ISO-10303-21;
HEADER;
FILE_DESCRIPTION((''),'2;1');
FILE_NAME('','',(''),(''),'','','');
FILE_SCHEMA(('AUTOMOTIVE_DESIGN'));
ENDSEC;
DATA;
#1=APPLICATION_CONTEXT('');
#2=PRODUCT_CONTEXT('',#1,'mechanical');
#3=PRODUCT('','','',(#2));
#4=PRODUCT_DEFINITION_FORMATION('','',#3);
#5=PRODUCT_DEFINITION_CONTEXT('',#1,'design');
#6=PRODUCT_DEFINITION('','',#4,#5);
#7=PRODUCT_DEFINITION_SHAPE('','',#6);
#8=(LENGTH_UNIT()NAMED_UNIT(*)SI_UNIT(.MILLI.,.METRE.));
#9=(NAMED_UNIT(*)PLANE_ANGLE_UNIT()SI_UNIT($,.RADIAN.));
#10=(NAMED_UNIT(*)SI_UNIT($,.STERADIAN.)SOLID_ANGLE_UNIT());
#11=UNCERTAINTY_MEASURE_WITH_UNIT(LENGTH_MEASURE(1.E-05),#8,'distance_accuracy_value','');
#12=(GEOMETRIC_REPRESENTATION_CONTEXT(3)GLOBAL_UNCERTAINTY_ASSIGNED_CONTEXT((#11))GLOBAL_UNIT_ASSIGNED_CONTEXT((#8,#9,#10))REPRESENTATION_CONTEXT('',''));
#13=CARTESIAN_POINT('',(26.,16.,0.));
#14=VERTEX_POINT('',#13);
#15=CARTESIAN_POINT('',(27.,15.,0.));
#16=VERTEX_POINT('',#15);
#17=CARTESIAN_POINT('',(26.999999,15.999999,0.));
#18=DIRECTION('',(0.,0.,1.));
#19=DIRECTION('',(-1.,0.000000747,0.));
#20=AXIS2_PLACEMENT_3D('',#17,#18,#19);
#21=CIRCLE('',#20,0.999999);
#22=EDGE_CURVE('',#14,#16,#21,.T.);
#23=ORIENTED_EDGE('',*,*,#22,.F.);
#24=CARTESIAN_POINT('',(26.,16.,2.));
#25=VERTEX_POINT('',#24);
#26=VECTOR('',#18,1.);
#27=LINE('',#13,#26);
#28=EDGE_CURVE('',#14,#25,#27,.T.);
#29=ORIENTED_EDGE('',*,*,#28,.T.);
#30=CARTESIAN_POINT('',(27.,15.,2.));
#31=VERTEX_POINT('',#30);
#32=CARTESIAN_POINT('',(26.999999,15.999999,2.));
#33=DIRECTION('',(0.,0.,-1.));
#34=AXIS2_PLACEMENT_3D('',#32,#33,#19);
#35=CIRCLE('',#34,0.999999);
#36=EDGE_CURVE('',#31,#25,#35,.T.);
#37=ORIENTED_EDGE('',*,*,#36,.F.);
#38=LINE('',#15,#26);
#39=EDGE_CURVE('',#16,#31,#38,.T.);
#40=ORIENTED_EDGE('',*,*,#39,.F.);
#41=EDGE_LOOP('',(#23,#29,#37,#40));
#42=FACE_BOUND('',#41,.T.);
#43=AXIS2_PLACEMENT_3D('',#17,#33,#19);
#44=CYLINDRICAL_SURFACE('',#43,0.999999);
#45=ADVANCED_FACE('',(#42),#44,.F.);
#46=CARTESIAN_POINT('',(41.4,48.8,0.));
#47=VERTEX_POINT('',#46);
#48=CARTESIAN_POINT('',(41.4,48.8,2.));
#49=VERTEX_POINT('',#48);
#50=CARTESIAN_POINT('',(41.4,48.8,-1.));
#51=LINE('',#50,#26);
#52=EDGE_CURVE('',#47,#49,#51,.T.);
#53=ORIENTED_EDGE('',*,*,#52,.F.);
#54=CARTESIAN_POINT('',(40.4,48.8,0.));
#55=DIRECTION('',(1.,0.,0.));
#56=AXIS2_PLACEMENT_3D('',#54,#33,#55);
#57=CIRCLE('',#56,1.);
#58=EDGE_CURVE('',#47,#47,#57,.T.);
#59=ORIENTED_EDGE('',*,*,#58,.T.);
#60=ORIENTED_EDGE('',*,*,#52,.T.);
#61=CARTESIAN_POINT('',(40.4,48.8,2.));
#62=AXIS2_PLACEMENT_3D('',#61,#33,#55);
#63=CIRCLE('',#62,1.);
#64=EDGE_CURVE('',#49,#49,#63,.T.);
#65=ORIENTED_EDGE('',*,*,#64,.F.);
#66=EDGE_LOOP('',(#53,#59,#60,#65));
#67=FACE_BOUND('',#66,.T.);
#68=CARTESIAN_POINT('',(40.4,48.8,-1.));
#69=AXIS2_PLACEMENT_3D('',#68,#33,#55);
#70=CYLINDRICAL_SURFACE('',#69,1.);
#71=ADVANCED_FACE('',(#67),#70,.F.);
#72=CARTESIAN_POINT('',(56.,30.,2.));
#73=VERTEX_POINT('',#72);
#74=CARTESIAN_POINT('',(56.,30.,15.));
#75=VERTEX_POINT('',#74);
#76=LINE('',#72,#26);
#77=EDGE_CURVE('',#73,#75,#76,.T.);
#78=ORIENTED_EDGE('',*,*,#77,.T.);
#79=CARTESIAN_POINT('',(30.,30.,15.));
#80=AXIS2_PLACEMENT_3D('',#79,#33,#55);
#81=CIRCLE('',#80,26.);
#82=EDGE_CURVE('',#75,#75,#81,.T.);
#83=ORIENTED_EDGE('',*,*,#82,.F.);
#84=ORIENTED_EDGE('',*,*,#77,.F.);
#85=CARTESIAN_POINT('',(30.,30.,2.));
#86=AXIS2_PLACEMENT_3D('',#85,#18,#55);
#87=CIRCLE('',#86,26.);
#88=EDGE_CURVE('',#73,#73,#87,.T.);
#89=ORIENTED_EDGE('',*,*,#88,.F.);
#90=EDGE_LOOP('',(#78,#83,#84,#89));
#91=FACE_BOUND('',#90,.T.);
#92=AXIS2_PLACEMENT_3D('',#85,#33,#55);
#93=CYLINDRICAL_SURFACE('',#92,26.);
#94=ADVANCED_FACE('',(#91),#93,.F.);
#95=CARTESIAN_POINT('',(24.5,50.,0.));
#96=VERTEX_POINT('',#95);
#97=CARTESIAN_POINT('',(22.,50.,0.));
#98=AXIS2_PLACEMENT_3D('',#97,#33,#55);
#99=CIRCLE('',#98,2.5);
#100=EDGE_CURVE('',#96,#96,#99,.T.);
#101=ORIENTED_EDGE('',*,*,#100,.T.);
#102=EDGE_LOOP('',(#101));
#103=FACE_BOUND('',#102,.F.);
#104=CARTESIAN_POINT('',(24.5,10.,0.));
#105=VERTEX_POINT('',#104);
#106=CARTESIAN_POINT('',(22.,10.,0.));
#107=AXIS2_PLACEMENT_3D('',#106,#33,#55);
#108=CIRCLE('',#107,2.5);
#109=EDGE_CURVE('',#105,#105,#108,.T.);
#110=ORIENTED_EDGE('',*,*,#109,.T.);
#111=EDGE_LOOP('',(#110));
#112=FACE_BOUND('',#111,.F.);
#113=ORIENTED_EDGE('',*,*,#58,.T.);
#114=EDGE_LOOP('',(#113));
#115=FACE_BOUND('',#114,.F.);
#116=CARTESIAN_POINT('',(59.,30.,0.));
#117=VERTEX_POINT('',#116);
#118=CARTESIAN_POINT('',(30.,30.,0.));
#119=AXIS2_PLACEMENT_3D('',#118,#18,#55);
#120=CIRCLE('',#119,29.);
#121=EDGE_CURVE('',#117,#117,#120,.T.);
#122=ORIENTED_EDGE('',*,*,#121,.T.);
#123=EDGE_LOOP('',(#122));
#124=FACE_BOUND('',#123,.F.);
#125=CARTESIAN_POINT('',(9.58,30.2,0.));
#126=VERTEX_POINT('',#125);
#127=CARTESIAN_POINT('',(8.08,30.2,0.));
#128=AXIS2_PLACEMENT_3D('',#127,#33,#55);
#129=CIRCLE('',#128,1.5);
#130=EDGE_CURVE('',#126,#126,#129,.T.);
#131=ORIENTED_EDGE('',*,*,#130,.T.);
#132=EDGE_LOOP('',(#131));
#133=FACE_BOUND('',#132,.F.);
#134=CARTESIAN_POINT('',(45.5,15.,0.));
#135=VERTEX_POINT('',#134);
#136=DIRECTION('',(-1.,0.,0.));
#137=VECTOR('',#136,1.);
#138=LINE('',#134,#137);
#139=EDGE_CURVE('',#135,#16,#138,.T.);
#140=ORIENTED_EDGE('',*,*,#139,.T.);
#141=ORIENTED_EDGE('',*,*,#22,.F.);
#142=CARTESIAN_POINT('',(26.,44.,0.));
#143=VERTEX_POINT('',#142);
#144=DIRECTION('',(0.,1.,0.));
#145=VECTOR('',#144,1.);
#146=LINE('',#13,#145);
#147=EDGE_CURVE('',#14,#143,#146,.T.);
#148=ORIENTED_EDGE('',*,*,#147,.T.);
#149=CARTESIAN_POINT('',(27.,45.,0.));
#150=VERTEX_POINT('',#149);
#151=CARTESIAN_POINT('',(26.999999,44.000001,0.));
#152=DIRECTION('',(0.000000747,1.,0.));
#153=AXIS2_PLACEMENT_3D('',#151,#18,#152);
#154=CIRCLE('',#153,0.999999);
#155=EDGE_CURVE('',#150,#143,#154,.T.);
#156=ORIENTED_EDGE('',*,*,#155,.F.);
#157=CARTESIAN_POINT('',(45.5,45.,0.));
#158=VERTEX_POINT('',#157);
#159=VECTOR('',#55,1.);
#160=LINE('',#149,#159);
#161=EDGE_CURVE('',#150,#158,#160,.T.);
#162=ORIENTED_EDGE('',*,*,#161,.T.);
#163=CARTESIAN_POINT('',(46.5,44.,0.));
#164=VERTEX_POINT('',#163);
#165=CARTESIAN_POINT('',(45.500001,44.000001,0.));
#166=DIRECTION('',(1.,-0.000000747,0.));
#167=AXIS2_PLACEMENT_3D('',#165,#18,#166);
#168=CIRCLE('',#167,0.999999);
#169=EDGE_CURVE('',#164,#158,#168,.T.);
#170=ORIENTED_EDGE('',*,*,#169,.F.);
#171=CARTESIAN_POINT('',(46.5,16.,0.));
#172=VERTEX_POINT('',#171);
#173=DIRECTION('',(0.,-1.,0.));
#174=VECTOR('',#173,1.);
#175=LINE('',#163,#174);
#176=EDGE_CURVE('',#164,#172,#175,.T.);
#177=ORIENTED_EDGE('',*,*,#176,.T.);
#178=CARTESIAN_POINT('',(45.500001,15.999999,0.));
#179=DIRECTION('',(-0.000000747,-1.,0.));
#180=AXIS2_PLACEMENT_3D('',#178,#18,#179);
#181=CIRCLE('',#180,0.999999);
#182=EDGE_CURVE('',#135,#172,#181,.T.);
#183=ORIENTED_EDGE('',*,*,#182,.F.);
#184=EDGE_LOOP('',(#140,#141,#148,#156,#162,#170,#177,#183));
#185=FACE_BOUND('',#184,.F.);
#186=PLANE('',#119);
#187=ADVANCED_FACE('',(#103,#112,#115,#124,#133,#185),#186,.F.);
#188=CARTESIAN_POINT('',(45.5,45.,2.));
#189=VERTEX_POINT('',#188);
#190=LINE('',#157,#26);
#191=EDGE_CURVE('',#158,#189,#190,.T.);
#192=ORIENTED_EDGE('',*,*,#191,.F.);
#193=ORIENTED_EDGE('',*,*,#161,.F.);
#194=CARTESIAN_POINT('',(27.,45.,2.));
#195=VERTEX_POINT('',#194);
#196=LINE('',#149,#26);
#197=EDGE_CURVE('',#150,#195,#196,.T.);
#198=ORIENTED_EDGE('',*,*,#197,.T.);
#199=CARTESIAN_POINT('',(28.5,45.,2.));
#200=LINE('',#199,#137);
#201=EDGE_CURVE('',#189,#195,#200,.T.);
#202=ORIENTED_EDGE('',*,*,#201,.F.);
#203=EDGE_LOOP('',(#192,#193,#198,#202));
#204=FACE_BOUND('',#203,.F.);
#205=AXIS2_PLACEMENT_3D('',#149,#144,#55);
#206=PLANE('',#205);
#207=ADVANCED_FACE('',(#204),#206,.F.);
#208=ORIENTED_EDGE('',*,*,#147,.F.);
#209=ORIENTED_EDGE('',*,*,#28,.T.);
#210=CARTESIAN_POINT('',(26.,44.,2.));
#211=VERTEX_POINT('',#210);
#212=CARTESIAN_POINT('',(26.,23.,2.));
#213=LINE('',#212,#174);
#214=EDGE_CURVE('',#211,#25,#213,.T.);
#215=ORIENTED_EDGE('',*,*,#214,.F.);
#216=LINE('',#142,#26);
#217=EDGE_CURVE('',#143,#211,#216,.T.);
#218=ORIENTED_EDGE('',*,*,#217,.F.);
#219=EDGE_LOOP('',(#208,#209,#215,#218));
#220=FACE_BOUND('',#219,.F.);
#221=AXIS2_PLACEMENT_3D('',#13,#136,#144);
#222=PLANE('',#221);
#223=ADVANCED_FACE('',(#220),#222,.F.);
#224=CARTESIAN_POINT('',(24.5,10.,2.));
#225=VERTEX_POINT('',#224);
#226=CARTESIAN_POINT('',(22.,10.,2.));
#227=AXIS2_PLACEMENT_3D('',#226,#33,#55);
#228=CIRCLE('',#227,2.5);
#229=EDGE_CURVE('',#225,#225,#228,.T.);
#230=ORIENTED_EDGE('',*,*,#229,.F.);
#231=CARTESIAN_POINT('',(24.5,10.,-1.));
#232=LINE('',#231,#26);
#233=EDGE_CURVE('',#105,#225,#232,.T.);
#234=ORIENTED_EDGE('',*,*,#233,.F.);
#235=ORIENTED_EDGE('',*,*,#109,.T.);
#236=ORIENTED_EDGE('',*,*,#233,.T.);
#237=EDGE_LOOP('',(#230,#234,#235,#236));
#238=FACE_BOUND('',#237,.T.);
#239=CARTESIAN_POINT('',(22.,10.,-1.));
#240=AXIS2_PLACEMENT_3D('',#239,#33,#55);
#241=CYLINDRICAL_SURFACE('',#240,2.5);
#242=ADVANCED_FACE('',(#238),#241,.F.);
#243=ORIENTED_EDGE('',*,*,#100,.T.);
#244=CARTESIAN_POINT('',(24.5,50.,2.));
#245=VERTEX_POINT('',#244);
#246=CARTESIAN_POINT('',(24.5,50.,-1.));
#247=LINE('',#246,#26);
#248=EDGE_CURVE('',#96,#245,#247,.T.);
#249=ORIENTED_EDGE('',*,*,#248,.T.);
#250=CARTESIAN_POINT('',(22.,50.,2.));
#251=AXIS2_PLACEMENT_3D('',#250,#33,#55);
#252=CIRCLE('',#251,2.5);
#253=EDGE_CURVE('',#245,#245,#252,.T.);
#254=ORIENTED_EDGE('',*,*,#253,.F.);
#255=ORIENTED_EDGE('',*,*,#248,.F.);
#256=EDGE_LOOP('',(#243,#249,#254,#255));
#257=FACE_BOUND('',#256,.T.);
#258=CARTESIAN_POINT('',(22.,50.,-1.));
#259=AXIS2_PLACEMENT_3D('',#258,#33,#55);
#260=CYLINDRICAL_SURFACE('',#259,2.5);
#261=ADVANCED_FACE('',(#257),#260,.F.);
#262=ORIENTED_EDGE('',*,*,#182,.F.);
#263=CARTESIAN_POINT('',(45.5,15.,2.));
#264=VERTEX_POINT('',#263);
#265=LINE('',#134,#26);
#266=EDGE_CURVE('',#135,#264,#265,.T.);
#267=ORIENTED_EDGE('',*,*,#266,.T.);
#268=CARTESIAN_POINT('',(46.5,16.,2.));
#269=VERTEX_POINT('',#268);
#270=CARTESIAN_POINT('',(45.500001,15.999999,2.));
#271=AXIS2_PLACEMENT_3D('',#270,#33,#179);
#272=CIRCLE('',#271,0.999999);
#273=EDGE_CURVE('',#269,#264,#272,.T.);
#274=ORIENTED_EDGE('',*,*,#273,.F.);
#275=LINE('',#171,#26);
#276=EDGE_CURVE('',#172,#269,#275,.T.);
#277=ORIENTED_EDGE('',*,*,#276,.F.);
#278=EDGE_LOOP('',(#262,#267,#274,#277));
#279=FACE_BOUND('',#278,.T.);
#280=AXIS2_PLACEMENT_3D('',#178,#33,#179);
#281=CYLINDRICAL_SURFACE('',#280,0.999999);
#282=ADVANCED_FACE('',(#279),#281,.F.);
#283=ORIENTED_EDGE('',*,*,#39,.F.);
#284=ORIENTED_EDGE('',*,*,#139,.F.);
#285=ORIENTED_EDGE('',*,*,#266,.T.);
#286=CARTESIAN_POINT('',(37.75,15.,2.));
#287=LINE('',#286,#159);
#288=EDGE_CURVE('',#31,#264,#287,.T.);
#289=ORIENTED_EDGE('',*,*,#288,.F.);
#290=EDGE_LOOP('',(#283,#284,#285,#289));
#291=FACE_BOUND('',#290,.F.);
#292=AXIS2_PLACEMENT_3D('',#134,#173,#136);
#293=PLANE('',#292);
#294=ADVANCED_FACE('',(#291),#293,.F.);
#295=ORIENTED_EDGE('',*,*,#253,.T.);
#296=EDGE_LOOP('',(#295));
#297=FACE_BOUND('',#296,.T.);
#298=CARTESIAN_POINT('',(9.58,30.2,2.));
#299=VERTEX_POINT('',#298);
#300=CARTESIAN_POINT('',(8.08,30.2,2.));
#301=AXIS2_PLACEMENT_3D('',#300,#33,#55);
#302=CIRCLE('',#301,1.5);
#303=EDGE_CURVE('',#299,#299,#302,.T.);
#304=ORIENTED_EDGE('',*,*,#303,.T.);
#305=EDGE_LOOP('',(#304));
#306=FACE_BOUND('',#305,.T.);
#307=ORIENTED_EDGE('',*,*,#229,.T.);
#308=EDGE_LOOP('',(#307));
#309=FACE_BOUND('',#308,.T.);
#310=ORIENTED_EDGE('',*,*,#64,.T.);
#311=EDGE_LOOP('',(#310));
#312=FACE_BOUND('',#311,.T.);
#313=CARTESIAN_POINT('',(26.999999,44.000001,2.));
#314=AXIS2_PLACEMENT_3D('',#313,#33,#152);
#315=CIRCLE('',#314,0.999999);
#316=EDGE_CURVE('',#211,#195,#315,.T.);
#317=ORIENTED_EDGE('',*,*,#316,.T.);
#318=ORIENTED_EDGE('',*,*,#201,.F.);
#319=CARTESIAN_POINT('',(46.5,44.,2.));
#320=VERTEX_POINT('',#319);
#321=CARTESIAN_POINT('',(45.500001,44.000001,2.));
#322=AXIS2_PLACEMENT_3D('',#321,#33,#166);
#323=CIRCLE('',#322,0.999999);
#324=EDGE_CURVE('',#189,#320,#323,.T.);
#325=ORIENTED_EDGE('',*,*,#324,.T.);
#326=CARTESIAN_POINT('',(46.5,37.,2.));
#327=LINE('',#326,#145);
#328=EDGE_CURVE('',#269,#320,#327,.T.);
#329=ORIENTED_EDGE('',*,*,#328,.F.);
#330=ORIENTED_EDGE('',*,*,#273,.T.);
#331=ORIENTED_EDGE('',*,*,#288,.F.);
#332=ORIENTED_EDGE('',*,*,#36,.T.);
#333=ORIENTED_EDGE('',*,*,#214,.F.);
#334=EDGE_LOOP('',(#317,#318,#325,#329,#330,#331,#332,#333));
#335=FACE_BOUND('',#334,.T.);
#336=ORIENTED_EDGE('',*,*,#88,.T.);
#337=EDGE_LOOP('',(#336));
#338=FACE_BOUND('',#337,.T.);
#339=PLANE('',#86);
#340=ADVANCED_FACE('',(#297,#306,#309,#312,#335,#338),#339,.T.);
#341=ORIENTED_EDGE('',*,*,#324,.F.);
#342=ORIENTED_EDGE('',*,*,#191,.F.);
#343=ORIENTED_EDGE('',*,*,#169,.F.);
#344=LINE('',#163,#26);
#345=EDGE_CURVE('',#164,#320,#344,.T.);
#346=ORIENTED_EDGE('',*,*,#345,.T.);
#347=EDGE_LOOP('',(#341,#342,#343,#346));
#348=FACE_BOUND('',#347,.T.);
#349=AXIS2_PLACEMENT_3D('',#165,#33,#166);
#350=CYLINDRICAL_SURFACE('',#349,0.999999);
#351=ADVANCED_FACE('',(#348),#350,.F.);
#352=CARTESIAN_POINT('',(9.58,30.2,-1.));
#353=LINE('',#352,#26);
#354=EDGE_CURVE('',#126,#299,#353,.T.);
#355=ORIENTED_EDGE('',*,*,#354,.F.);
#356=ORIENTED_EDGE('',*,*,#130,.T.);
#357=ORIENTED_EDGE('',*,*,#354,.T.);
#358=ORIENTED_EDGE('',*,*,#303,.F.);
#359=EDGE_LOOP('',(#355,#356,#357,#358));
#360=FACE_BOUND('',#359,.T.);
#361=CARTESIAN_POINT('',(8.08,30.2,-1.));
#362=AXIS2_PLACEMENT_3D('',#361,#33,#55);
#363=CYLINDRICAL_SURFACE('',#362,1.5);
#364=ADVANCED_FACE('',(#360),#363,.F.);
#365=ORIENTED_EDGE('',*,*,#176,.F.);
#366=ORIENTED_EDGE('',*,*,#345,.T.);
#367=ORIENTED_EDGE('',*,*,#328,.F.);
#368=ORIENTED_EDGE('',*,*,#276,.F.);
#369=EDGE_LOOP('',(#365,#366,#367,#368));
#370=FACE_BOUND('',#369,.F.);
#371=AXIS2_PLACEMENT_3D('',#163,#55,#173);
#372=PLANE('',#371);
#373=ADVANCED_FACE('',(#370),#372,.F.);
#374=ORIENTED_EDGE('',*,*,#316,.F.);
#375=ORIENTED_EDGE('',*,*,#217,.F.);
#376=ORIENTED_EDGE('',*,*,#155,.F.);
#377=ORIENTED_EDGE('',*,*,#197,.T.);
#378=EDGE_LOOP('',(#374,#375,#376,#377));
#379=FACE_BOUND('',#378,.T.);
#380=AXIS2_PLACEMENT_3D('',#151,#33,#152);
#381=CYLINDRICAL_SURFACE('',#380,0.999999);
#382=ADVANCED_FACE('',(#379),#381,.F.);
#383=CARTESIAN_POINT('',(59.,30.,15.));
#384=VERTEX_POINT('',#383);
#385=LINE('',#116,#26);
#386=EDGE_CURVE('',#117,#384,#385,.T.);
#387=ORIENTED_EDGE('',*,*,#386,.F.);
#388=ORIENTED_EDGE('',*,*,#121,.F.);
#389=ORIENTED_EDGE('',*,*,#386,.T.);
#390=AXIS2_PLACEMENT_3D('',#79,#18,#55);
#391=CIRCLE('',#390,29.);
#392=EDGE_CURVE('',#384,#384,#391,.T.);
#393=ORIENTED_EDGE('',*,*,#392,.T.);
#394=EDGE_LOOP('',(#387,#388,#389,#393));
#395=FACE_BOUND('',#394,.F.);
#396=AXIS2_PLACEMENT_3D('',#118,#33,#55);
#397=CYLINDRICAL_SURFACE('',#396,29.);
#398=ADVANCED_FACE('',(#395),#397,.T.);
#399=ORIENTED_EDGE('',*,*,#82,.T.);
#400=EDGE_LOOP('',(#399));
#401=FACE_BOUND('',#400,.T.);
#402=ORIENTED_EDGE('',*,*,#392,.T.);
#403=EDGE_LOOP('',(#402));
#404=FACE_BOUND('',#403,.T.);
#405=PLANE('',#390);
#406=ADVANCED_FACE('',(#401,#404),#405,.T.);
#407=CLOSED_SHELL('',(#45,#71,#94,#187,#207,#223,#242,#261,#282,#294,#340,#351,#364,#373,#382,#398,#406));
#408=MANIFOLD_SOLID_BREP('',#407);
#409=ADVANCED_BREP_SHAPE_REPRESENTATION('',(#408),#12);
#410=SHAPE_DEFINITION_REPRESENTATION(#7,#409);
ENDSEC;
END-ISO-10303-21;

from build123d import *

# Parameters (mm, degrees)
PAD_DEPTH         = 10
CYLINDER002_R     = 2.5
CYLINDER002_DEPTH = 10
CYLINDER004_R     = 1.5
CYLINDER004_DEPTH = 10
CYLINDER003_R     = 1
CYLINDER003_DEPTH = 10
CYLINDER001_R     = 2.5
CYLINDER001_DEPTH = 10
CYLINDER005_R     = 26
CYLINDER005_DEPTH = 32
CYLINDER_R        = 29
CYLINDER_DEPTH    = 15


with BuildPart() as pad:
    # Sketch → Pad (new body)
    with BuildSketch(Plane.XY):
        with BuildLine():
            Line((27, 45), (45.5, 45))
            ThreePointArc((46.5, 44), (46.207107, 44.707107), (45.5, 45))
            Line((46.5, 44), (46.5, 16))
            ThreePointArc((45.5, 15), (46.207107, 15.292893), (46.5, 16))
            Line((45.5, 15), (27, 15))
            ThreePointArc((26, 16), (26.292893, 15.292893), (27, 15))
            Line((26, 16), (26, 44))
            ThreePointArc((27, 45), (26.292893, 44.707107), (26, 44))
        make_face()
    extrude(amount=PAD_DEPTH)


with BuildPart() as zylinder002:
    # Cylinder002 → Cylinder002 (new body)
    with BuildSketch(Plane(origin=(22, 50, -1), x_dir=(1, 0, 0), z_dir=(0, 0, 1))):
        Circle(CYLINDER002_R)
    extrude(amount=CYLINDER002_DEPTH)


with BuildPart() as zylinder004:
    # Cylinder004 → Cylinder004 (new body)
    with BuildSketch(Plane(origin=(8.08, 30.2, -1), x_dir=(1, 0, 0), z_dir=(0, 0, 1))):
        Circle(CYLINDER004_R)
    extrude(amount=CYLINDER004_DEPTH)


with BuildPart() as zylinder003:
    # Cylinder003 → Cylinder003 (new body)
    with BuildSketch(Plane(origin=(40.4, 48.8, -1), x_dir=(1, 0, 0), z_dir=(0, 0, 1))):
        Circle(CYLINDER003_R)
    extrude(amount=CYLINDER003_DEPTH)


with BuildPart() as fusion:
    # Cylinder001 → Cylinder001 (new body)
    with BuildSketch(Plane(origin=(22, 10, -1), x_dir=(1, 0, 0), z_dir=(0, 0, 1))):
        Circle(CYLINDER001_R)
    extrude(amount=CYLINDER001_DEPTH)

    # Fusion: union Pad, Zylinder002, Zylinder004, Zylinder003
    add(pad.part)
    add(zylinder002.part)
    add(zylinder004.part)
    add(zylinder003.part)


with BuildPart() as zylinder005:
    # Cylinder005 → Cylinder005 (new body)
    with BuildSketch(Plane(origin=(30, 30, 2), x_dir=(1, 0, 0), z_dir=(0, 0, 1))):
        Circle(CYLINDER005_R)
    extrude(amount=CYLINDER005_DEPTH)


with BuildPart() as cut001:
    # Cylinder → Cylinder (new body)
    with BuildSketch(Plane(origin=(30, 30, 0), x_dir=(1, 0, 0), z_dir=(0, 0, 1))):
        Circle(CYLINDER_R)
    extrude(amount=CYLINDER_DEPTH)

    # Cut: cut Zylinder005
    add(zylinder005.part, mode=Mode.SUBTRACT)

    # Cut001: cut Fusion
    add(fusion.part, mode=Mode.SUBTRACT)


solid = cut001.part
